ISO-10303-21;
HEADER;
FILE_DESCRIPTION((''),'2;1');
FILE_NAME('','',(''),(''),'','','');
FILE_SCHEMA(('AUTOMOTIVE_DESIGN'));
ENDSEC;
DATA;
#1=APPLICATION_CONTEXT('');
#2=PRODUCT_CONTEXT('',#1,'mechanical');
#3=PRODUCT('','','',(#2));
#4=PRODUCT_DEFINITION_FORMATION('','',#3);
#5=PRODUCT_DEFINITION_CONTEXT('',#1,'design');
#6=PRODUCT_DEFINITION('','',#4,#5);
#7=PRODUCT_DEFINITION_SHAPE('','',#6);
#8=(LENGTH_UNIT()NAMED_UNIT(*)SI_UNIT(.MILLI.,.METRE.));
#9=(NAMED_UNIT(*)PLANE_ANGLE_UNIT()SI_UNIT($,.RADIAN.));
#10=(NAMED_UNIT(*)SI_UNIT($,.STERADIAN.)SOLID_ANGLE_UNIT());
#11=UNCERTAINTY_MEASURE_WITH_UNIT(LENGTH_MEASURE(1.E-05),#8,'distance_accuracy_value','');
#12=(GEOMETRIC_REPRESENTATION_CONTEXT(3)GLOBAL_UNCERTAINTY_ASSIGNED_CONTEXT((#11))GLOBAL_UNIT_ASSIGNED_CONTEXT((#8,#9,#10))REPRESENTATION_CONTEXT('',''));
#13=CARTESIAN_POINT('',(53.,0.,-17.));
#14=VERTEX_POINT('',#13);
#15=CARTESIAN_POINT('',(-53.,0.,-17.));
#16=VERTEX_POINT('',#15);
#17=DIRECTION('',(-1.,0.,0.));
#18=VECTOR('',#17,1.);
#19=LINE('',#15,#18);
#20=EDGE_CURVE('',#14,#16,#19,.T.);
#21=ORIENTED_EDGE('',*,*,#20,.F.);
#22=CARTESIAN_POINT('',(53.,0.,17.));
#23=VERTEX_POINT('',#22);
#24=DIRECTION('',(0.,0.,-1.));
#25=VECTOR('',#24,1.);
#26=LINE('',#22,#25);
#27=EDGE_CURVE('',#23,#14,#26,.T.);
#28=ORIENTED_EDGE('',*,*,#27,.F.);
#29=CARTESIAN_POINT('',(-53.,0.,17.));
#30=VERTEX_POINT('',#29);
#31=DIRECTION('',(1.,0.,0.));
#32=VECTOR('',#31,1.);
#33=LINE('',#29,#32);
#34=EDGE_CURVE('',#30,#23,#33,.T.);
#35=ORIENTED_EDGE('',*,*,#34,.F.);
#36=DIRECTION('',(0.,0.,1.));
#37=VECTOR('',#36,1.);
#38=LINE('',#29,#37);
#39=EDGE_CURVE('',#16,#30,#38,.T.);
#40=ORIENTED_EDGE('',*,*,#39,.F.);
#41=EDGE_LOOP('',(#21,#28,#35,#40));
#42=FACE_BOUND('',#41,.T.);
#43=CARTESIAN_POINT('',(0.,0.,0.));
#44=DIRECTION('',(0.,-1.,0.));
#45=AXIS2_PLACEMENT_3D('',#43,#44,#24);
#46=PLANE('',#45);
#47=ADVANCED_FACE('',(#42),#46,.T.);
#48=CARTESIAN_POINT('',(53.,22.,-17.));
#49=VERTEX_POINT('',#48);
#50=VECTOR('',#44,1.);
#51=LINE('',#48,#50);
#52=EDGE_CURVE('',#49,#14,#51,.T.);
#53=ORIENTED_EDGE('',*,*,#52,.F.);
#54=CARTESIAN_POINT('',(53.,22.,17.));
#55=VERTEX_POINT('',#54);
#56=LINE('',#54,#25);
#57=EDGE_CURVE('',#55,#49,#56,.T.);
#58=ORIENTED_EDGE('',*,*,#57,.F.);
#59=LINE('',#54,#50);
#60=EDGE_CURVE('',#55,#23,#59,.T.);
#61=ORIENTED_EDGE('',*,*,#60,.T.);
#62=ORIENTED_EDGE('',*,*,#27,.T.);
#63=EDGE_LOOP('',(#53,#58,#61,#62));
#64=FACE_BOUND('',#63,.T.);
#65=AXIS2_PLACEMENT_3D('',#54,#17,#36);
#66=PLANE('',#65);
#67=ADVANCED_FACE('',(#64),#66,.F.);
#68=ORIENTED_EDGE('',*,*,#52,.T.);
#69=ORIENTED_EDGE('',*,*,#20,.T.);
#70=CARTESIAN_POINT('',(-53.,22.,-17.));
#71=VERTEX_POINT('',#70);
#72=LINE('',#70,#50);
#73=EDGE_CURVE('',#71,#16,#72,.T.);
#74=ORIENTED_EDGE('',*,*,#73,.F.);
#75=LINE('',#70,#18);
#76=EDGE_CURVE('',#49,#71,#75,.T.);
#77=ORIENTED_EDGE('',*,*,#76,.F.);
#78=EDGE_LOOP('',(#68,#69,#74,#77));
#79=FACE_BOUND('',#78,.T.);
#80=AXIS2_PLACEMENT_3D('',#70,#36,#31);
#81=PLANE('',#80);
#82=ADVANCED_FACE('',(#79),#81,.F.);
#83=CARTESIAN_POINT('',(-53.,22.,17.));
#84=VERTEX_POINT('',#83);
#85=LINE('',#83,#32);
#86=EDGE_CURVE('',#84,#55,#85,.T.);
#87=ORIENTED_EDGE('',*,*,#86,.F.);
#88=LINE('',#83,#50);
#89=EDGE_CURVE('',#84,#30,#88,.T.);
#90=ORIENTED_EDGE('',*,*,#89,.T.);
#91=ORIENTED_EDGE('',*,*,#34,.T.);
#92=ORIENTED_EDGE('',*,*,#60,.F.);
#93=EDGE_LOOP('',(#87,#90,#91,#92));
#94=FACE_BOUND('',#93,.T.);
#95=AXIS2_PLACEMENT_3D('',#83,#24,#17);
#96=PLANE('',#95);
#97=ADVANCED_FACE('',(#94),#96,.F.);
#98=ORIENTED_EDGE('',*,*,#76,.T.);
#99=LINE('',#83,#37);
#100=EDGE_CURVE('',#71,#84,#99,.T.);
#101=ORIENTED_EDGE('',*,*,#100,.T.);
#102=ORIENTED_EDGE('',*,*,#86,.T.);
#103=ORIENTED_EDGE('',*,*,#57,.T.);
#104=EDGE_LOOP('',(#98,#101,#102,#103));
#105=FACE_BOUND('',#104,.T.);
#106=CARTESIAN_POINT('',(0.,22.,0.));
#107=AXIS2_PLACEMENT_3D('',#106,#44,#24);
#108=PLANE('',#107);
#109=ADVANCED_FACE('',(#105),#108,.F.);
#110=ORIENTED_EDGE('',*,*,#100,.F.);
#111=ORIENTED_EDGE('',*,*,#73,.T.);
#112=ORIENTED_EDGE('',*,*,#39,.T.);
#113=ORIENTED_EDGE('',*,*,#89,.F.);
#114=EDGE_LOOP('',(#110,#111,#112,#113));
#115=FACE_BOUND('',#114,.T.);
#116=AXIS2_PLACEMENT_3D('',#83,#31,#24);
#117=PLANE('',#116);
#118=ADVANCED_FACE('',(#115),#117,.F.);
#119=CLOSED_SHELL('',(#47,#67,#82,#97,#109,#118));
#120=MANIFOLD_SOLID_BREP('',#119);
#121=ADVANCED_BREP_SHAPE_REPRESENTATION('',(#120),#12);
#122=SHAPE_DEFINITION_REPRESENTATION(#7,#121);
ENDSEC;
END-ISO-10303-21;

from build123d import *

# Parameters (mm, degrees)
SKETCH1_W          = 106
SKETCH1_H          = 34
BATTERY_MOCK_DEPTH = 22


with BuildPart() as part:
    # Sketch1 → battery_mock (new body)
    with BuildSketch(Plane(origin=(0, 0, 0), x_dir=(1, 0, 0), z_dir=(0, 1, 0))):
        Rectangle(SKETCH1_W, SKETCH1_H)
    extrude(amount=BATTERY_MOCK_DEPTH)


solid = part.part
